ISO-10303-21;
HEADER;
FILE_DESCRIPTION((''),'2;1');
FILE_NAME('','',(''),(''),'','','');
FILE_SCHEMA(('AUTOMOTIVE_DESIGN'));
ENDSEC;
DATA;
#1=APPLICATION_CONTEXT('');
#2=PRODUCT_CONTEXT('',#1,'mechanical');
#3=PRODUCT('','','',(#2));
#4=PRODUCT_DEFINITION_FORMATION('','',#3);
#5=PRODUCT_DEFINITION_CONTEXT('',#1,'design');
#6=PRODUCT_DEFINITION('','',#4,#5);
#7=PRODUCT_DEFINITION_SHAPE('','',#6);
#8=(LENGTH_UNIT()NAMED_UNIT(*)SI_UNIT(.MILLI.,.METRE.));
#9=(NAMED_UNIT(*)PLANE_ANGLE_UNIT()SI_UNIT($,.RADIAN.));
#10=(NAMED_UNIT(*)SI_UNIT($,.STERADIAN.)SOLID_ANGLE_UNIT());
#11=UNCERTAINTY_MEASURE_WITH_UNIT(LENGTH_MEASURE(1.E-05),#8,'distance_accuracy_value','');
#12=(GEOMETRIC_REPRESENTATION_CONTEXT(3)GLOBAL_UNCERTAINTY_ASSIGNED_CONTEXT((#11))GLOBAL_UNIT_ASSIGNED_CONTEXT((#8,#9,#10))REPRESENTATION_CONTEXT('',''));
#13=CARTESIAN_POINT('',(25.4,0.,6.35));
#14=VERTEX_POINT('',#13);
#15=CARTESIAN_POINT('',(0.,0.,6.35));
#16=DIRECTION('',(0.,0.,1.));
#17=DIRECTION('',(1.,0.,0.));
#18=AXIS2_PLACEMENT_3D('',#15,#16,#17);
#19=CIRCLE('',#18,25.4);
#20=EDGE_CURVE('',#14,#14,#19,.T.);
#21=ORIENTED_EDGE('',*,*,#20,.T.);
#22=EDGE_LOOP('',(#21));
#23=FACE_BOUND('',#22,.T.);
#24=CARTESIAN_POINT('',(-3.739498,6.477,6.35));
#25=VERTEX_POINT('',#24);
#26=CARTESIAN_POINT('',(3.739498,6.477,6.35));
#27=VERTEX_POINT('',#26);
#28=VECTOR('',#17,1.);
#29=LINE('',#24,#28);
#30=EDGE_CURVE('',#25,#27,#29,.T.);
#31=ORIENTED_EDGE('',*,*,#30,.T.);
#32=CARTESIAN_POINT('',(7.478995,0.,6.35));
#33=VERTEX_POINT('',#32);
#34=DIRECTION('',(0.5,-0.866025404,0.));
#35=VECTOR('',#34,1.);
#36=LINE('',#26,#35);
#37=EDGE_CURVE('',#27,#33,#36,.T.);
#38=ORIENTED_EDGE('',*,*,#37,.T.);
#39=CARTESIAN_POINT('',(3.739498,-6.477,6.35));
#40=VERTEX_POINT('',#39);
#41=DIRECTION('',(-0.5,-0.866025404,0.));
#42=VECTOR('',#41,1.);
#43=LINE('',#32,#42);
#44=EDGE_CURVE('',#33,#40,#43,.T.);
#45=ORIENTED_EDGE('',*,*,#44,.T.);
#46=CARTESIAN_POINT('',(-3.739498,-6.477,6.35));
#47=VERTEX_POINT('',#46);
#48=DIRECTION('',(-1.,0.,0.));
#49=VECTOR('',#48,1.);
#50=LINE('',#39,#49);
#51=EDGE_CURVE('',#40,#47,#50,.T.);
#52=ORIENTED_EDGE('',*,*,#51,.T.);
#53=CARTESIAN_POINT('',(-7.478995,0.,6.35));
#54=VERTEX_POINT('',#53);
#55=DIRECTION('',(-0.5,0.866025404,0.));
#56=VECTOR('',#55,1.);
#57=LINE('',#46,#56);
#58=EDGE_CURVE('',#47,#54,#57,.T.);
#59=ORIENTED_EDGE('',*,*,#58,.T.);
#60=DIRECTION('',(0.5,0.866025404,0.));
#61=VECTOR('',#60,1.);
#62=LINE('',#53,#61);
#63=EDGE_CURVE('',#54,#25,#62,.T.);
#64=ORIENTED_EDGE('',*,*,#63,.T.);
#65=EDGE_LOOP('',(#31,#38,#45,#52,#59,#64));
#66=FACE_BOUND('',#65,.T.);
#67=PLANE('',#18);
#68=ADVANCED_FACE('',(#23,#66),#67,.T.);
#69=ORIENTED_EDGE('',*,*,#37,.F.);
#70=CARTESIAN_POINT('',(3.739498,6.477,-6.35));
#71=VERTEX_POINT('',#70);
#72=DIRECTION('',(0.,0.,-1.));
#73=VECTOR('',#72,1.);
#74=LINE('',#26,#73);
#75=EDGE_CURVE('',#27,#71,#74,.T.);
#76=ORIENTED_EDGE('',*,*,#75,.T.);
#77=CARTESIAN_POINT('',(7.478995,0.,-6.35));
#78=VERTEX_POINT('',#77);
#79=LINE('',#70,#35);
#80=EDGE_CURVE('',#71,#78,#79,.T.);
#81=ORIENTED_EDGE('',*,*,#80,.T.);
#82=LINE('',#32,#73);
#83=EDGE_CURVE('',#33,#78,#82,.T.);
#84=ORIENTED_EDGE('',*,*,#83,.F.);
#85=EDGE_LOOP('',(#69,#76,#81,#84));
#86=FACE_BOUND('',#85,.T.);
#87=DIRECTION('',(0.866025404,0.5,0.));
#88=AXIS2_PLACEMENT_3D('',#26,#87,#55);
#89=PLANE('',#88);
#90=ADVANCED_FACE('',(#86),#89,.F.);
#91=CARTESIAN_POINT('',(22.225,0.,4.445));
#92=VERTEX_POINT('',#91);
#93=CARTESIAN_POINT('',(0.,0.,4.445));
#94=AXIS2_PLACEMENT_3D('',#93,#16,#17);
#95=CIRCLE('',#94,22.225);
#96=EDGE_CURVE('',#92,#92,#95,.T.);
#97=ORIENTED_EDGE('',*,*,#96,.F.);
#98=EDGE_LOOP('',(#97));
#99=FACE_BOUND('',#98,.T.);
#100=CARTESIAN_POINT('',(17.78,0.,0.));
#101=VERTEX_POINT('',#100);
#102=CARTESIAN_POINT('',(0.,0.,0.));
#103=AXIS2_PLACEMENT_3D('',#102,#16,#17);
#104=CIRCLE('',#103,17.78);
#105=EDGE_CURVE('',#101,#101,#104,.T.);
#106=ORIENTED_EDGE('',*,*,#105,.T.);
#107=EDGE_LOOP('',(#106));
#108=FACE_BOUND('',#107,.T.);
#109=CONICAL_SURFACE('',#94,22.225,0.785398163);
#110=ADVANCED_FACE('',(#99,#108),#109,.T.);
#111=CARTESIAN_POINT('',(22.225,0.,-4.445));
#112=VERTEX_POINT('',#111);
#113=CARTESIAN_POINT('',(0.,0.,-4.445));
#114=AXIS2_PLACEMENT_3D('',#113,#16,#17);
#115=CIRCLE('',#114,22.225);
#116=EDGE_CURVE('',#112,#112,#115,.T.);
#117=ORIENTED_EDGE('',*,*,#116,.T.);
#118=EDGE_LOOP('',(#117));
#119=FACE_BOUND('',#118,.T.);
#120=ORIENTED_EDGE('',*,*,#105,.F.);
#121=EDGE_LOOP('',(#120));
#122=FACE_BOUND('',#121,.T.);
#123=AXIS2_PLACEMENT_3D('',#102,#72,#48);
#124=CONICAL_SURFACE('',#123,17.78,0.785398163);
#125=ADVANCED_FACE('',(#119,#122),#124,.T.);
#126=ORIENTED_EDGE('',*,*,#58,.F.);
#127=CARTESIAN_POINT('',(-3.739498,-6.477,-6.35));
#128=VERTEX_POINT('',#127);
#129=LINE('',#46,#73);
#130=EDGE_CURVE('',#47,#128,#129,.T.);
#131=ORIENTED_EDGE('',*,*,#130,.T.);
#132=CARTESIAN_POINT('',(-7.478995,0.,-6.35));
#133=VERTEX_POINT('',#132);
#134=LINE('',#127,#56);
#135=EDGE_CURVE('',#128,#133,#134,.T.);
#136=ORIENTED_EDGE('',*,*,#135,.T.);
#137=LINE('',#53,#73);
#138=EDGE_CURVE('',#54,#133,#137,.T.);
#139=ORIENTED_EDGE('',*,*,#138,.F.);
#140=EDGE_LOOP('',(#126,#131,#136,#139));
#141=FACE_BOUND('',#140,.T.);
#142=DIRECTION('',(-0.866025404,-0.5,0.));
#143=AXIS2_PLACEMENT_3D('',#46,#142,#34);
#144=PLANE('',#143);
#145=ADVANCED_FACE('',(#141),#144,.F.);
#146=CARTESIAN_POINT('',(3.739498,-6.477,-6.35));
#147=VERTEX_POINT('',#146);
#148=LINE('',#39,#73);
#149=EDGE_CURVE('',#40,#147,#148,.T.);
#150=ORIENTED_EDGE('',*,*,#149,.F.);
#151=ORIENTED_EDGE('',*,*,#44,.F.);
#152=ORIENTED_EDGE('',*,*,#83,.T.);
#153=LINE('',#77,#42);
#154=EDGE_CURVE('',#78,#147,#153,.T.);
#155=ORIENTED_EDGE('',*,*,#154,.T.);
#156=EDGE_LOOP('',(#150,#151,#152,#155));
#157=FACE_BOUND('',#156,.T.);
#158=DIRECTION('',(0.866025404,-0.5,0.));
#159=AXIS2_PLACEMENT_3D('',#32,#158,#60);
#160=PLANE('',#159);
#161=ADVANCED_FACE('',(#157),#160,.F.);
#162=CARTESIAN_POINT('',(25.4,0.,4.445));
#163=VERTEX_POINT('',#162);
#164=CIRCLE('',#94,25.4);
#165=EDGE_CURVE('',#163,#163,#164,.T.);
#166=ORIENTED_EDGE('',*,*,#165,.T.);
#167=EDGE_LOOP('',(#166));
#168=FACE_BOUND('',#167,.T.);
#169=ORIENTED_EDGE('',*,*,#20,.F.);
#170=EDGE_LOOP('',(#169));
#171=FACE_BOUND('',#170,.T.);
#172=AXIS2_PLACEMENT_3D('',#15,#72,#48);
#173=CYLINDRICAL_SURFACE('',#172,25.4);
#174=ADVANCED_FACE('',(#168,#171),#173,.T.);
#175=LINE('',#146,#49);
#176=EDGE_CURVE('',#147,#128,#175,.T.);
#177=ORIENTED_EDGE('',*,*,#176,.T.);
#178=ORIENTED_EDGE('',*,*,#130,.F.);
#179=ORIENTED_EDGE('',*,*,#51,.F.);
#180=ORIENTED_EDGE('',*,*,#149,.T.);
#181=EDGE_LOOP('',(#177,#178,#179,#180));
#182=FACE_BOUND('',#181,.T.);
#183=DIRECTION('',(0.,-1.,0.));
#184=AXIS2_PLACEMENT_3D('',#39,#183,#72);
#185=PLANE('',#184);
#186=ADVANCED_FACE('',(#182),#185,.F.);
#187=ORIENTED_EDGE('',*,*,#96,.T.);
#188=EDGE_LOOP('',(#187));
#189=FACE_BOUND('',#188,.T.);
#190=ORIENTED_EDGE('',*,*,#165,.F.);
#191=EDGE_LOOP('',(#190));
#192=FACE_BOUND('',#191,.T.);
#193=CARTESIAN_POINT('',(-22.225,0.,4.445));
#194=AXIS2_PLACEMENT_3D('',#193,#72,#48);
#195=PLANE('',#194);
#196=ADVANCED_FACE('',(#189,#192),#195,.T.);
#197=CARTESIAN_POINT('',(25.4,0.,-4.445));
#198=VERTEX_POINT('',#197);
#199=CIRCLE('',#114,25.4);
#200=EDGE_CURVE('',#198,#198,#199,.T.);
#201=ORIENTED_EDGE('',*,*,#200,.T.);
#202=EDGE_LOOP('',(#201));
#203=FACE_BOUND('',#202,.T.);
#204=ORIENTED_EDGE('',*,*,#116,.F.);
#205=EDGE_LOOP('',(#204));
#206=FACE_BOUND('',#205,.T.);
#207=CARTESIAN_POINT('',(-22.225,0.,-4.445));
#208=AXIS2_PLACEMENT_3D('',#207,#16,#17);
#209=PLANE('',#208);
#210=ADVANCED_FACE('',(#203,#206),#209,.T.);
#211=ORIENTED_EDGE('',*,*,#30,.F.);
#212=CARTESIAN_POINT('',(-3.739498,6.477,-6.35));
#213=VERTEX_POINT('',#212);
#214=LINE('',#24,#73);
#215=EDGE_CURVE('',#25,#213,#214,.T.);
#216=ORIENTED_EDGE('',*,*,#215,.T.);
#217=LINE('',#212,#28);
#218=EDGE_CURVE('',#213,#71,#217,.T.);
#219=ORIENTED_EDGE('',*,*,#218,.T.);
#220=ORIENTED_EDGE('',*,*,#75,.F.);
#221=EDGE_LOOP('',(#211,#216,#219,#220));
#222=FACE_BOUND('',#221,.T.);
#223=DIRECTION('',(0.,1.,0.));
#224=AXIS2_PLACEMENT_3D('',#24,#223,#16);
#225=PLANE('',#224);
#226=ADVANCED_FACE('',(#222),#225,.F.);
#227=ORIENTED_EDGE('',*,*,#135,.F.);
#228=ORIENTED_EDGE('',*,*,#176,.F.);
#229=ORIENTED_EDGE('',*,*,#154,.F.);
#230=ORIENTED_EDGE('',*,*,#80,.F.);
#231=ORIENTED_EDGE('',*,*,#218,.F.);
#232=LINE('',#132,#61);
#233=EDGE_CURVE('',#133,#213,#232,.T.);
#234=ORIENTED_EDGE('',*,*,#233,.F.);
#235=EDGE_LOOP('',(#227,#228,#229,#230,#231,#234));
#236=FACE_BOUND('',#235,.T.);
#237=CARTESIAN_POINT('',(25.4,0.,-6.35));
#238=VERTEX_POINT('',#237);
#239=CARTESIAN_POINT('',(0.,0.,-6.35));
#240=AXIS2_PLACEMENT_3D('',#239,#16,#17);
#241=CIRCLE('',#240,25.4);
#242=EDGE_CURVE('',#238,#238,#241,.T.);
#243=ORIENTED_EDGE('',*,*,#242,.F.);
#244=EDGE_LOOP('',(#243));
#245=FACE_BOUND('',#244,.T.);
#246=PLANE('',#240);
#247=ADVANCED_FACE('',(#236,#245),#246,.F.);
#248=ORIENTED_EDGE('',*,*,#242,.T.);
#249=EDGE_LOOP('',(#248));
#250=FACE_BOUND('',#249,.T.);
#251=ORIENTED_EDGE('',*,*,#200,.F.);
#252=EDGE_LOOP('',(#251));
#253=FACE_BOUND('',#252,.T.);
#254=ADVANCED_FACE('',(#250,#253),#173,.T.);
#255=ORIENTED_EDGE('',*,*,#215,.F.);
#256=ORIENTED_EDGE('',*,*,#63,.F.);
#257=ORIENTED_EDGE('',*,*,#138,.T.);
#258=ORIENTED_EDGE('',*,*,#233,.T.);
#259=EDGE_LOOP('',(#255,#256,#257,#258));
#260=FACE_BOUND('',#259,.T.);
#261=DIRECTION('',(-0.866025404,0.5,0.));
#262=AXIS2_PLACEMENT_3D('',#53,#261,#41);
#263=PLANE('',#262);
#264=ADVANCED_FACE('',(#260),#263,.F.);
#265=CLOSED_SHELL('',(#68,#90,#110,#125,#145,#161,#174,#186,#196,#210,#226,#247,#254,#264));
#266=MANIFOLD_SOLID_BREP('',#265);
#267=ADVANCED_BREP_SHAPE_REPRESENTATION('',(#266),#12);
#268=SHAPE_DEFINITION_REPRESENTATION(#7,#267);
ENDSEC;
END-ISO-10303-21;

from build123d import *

# Parameters (mm, degrees)
SKETCH1_R           = 25.4
BOSS_EXTRUDE1_DEPTH = 6.35
CUT_EXTRUDE1_DEPTH  = 39.1


with BuildPart() as part:
    # Sketch1 → Boss-Extrude1 (new, symmetric)
    with BuildSketch(Plane.XY):
        Circle(SKETCH1_R)
    extrude(amount=BOSS_EXTRUDE1_DEPTH, both=True)

    # Sketch3 → Cut-Revolve1 (revolve, cut)
    with BuildSketch(Plane(origin=(0, 0, 0), x_dir=(1, 0, 0), z_dir=(0, 1, 0)), mode=Mode.PRIVATE) as cut_revolve1_sk:
        Polygon((-25.4, 4.445), (-25.4, -4.445), (-22.225, -4.445), (-17.78, 0), (-22.225, 4.445), align=None)
    revolve(cut_revolve1_sk.sketch.rotate(Axis((0, 0, 17.119668281), (0, 0, -1)), 180), axis=Axis((0, 0, 17.119668281), (0, 0, -1)), mode=Mode.SUBTRACT)

    # Sketch4 → Cut-Extrude1 (cut, through all)
    with BuildSketch(Plane(origin=(0, 0, -6.35), x_dir=(-1, 0, 0), z_dir=(0, 0, -1))):
        Polygon((7.478995387, 0), (3.739497694, 6.477), (-3.739497694, 6.477), (-7.478995387, 0), (-3.739497694, -6.477), (3.739497694, -6.477), align=None)
    extrude(amount=-CUT_EXTRUDE1_DEPTH, mode=Mode.SUBTRACT)


solid = part.part
